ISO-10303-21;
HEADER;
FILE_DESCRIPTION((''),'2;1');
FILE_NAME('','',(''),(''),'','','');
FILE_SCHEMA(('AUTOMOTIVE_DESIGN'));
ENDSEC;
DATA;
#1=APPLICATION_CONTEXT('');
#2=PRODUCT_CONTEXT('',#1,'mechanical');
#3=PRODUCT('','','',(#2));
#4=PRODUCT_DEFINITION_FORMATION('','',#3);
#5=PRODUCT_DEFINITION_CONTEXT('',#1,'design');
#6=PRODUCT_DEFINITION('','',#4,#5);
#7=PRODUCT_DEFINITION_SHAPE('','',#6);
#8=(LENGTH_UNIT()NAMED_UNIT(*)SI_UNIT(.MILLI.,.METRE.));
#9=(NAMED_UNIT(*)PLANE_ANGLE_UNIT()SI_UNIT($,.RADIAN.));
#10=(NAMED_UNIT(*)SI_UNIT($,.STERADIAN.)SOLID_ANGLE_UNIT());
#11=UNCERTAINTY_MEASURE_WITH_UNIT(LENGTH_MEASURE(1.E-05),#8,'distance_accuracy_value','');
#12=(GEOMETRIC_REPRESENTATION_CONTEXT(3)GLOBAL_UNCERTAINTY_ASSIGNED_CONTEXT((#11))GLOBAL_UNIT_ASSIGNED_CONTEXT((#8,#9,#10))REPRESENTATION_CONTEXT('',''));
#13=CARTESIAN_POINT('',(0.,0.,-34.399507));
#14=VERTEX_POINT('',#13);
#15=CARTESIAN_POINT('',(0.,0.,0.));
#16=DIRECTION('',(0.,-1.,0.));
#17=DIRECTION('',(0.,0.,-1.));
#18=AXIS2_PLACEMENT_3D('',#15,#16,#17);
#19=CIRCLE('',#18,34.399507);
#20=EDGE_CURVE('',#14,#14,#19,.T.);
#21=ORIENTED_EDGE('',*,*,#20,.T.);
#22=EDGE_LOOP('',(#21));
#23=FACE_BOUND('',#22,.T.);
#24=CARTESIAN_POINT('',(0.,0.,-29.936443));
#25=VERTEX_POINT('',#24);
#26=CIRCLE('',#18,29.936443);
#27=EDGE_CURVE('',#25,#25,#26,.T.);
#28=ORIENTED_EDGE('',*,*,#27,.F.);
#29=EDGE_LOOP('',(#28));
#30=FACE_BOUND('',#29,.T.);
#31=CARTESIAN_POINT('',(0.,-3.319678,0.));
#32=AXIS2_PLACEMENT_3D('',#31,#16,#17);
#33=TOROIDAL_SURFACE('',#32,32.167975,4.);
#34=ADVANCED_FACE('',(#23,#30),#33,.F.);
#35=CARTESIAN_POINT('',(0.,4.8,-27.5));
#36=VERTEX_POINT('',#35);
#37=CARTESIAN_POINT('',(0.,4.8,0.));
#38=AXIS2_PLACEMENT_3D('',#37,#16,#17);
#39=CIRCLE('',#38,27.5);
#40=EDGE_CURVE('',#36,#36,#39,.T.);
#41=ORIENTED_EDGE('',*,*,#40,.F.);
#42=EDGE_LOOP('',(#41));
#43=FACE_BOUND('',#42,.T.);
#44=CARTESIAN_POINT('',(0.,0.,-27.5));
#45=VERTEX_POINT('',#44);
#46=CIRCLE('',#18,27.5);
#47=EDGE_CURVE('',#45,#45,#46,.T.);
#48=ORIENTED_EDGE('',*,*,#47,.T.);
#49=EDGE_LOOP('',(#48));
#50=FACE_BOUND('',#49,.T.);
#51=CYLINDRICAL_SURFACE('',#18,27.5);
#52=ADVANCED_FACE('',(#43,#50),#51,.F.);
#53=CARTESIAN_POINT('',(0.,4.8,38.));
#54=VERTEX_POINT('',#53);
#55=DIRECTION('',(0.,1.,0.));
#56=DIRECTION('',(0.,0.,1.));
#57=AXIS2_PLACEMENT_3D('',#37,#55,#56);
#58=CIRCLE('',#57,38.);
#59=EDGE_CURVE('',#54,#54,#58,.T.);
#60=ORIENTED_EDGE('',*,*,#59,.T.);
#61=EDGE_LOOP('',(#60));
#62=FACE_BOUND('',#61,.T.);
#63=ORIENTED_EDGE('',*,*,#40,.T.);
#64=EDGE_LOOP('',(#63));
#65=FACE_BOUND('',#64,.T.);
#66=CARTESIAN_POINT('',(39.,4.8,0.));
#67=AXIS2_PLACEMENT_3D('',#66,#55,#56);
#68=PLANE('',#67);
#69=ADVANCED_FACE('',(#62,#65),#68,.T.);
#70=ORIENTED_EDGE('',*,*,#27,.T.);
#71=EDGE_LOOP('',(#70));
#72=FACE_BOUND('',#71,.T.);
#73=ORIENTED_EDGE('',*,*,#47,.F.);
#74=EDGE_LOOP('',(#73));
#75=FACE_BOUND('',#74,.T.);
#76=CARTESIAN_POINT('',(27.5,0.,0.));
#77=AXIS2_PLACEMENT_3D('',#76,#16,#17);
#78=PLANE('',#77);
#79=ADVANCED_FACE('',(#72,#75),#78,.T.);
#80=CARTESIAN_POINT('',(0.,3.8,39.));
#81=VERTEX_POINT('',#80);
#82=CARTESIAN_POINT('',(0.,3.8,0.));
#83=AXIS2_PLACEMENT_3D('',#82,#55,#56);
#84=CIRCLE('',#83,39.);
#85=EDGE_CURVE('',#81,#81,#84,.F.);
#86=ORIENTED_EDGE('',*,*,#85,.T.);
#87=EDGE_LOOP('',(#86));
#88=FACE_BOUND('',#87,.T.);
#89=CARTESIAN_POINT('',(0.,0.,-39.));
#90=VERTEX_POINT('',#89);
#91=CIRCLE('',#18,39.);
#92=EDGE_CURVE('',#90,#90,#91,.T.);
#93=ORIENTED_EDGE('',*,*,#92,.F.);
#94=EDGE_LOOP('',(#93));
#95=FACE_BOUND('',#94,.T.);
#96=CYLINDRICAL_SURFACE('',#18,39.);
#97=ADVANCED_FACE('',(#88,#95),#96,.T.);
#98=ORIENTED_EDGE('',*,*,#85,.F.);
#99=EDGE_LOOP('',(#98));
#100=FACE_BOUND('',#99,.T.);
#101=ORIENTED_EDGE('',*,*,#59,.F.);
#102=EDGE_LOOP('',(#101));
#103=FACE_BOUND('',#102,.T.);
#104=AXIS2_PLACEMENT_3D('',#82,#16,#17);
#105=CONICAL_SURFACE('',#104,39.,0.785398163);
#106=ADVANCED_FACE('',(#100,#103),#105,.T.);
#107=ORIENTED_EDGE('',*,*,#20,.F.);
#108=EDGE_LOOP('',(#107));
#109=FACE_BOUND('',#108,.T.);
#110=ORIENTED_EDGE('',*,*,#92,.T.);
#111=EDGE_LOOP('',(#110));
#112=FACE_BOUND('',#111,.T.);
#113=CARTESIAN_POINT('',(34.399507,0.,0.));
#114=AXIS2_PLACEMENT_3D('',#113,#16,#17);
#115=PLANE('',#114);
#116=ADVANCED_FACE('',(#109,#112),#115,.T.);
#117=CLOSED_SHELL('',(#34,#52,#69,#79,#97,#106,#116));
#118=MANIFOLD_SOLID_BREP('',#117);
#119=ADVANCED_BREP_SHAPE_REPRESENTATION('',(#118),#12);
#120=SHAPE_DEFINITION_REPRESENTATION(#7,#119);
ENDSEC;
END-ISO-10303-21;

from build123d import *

# Parameters (mm, degrees)
CHAMFER1_SIZE = 1


with BuildPart() as part:
    # Sketch1 → Revolve1 (revolve)
    with BuildSketch(Plane.XY):
        with BuildLine():
            Line((27.5, 0), (29.936442743, 0))
            ThreePointArc((29.936442743, 0), (32.167974855, 0.680321637), (34.399506968, 0))
            Line((34.399506968, 0), (39, 0))
            Line((39, 0), (39, 4.8))
            Line((39, 4.8), (27.5, 4.8))
            Line((27.5, 4.8), (27.5, 0))
        make_face()
    revolve(axis=Axis((0, 0, 0), (0, 1, 0)))

    # Chamfer1
    chamfer1_edges = [part.edges().sort_by_distance(p)[0] for p in [
        (-39, 4.8, 0),
    ]]
    chamfer(chamfer1_edges, length=CHAMFER1_SIZE)


solid = part.part
